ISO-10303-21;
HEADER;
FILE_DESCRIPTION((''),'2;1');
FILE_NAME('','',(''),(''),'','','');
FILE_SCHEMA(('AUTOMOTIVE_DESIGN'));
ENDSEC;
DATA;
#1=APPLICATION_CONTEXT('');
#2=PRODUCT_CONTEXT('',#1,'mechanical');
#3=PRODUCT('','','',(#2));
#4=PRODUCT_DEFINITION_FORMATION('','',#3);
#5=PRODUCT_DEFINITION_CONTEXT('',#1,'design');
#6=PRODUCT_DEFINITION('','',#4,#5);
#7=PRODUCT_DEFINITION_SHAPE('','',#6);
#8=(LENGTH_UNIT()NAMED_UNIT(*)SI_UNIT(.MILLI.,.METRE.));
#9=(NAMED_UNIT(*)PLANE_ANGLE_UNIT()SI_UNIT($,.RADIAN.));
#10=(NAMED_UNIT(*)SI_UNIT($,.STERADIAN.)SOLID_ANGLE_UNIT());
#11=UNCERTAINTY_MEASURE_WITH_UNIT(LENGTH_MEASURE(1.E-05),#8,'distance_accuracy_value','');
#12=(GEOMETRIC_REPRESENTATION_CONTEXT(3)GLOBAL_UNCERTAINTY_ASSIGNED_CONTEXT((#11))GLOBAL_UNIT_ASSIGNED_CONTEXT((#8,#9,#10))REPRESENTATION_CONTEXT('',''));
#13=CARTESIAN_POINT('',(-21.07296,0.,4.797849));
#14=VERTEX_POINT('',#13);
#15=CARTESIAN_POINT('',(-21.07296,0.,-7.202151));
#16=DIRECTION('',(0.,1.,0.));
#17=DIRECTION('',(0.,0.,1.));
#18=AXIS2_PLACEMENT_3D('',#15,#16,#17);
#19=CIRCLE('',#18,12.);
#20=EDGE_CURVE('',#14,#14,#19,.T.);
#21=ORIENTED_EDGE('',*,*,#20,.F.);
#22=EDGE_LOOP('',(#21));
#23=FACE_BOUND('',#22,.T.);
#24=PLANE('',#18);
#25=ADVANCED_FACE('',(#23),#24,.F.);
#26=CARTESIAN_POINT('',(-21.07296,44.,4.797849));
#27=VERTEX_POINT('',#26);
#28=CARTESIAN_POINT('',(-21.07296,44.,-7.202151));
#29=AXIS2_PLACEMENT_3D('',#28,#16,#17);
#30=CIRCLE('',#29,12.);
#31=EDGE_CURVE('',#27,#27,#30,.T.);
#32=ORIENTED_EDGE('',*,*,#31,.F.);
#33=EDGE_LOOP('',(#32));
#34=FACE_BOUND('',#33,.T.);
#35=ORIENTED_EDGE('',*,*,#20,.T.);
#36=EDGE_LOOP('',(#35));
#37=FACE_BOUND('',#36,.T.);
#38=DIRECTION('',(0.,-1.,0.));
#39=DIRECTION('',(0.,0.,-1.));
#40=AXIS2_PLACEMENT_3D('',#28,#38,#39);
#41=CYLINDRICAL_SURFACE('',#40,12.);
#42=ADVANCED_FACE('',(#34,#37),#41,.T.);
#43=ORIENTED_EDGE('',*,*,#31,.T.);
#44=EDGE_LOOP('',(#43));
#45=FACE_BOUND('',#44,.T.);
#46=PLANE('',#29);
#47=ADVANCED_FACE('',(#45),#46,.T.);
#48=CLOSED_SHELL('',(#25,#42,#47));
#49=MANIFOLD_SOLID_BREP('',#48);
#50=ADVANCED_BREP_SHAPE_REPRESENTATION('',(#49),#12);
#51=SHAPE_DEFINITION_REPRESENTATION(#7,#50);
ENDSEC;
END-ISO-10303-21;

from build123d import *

# Parameters (mm, degrees)
ESQUISSE1_R        = 12
BOSS_EXTRU_1_DEPTH = 44


with BuildPart() as part:
    # Esquisse1 → Boss.-Extru.1 (new body)
    with BuildSketch(Plane(origin=(0, 0, 0), x_dir=(1, 0, 0), z_dir=(0, 1, 0))):
        with Locations(Location((-21.072960424, 7.202151031, 0), (0, 0, 270))):
            Circle(ESQUISSE1_R)
    extrude(amount=BOSS_EXTRU_1_DEPTH)


solid = part.part
